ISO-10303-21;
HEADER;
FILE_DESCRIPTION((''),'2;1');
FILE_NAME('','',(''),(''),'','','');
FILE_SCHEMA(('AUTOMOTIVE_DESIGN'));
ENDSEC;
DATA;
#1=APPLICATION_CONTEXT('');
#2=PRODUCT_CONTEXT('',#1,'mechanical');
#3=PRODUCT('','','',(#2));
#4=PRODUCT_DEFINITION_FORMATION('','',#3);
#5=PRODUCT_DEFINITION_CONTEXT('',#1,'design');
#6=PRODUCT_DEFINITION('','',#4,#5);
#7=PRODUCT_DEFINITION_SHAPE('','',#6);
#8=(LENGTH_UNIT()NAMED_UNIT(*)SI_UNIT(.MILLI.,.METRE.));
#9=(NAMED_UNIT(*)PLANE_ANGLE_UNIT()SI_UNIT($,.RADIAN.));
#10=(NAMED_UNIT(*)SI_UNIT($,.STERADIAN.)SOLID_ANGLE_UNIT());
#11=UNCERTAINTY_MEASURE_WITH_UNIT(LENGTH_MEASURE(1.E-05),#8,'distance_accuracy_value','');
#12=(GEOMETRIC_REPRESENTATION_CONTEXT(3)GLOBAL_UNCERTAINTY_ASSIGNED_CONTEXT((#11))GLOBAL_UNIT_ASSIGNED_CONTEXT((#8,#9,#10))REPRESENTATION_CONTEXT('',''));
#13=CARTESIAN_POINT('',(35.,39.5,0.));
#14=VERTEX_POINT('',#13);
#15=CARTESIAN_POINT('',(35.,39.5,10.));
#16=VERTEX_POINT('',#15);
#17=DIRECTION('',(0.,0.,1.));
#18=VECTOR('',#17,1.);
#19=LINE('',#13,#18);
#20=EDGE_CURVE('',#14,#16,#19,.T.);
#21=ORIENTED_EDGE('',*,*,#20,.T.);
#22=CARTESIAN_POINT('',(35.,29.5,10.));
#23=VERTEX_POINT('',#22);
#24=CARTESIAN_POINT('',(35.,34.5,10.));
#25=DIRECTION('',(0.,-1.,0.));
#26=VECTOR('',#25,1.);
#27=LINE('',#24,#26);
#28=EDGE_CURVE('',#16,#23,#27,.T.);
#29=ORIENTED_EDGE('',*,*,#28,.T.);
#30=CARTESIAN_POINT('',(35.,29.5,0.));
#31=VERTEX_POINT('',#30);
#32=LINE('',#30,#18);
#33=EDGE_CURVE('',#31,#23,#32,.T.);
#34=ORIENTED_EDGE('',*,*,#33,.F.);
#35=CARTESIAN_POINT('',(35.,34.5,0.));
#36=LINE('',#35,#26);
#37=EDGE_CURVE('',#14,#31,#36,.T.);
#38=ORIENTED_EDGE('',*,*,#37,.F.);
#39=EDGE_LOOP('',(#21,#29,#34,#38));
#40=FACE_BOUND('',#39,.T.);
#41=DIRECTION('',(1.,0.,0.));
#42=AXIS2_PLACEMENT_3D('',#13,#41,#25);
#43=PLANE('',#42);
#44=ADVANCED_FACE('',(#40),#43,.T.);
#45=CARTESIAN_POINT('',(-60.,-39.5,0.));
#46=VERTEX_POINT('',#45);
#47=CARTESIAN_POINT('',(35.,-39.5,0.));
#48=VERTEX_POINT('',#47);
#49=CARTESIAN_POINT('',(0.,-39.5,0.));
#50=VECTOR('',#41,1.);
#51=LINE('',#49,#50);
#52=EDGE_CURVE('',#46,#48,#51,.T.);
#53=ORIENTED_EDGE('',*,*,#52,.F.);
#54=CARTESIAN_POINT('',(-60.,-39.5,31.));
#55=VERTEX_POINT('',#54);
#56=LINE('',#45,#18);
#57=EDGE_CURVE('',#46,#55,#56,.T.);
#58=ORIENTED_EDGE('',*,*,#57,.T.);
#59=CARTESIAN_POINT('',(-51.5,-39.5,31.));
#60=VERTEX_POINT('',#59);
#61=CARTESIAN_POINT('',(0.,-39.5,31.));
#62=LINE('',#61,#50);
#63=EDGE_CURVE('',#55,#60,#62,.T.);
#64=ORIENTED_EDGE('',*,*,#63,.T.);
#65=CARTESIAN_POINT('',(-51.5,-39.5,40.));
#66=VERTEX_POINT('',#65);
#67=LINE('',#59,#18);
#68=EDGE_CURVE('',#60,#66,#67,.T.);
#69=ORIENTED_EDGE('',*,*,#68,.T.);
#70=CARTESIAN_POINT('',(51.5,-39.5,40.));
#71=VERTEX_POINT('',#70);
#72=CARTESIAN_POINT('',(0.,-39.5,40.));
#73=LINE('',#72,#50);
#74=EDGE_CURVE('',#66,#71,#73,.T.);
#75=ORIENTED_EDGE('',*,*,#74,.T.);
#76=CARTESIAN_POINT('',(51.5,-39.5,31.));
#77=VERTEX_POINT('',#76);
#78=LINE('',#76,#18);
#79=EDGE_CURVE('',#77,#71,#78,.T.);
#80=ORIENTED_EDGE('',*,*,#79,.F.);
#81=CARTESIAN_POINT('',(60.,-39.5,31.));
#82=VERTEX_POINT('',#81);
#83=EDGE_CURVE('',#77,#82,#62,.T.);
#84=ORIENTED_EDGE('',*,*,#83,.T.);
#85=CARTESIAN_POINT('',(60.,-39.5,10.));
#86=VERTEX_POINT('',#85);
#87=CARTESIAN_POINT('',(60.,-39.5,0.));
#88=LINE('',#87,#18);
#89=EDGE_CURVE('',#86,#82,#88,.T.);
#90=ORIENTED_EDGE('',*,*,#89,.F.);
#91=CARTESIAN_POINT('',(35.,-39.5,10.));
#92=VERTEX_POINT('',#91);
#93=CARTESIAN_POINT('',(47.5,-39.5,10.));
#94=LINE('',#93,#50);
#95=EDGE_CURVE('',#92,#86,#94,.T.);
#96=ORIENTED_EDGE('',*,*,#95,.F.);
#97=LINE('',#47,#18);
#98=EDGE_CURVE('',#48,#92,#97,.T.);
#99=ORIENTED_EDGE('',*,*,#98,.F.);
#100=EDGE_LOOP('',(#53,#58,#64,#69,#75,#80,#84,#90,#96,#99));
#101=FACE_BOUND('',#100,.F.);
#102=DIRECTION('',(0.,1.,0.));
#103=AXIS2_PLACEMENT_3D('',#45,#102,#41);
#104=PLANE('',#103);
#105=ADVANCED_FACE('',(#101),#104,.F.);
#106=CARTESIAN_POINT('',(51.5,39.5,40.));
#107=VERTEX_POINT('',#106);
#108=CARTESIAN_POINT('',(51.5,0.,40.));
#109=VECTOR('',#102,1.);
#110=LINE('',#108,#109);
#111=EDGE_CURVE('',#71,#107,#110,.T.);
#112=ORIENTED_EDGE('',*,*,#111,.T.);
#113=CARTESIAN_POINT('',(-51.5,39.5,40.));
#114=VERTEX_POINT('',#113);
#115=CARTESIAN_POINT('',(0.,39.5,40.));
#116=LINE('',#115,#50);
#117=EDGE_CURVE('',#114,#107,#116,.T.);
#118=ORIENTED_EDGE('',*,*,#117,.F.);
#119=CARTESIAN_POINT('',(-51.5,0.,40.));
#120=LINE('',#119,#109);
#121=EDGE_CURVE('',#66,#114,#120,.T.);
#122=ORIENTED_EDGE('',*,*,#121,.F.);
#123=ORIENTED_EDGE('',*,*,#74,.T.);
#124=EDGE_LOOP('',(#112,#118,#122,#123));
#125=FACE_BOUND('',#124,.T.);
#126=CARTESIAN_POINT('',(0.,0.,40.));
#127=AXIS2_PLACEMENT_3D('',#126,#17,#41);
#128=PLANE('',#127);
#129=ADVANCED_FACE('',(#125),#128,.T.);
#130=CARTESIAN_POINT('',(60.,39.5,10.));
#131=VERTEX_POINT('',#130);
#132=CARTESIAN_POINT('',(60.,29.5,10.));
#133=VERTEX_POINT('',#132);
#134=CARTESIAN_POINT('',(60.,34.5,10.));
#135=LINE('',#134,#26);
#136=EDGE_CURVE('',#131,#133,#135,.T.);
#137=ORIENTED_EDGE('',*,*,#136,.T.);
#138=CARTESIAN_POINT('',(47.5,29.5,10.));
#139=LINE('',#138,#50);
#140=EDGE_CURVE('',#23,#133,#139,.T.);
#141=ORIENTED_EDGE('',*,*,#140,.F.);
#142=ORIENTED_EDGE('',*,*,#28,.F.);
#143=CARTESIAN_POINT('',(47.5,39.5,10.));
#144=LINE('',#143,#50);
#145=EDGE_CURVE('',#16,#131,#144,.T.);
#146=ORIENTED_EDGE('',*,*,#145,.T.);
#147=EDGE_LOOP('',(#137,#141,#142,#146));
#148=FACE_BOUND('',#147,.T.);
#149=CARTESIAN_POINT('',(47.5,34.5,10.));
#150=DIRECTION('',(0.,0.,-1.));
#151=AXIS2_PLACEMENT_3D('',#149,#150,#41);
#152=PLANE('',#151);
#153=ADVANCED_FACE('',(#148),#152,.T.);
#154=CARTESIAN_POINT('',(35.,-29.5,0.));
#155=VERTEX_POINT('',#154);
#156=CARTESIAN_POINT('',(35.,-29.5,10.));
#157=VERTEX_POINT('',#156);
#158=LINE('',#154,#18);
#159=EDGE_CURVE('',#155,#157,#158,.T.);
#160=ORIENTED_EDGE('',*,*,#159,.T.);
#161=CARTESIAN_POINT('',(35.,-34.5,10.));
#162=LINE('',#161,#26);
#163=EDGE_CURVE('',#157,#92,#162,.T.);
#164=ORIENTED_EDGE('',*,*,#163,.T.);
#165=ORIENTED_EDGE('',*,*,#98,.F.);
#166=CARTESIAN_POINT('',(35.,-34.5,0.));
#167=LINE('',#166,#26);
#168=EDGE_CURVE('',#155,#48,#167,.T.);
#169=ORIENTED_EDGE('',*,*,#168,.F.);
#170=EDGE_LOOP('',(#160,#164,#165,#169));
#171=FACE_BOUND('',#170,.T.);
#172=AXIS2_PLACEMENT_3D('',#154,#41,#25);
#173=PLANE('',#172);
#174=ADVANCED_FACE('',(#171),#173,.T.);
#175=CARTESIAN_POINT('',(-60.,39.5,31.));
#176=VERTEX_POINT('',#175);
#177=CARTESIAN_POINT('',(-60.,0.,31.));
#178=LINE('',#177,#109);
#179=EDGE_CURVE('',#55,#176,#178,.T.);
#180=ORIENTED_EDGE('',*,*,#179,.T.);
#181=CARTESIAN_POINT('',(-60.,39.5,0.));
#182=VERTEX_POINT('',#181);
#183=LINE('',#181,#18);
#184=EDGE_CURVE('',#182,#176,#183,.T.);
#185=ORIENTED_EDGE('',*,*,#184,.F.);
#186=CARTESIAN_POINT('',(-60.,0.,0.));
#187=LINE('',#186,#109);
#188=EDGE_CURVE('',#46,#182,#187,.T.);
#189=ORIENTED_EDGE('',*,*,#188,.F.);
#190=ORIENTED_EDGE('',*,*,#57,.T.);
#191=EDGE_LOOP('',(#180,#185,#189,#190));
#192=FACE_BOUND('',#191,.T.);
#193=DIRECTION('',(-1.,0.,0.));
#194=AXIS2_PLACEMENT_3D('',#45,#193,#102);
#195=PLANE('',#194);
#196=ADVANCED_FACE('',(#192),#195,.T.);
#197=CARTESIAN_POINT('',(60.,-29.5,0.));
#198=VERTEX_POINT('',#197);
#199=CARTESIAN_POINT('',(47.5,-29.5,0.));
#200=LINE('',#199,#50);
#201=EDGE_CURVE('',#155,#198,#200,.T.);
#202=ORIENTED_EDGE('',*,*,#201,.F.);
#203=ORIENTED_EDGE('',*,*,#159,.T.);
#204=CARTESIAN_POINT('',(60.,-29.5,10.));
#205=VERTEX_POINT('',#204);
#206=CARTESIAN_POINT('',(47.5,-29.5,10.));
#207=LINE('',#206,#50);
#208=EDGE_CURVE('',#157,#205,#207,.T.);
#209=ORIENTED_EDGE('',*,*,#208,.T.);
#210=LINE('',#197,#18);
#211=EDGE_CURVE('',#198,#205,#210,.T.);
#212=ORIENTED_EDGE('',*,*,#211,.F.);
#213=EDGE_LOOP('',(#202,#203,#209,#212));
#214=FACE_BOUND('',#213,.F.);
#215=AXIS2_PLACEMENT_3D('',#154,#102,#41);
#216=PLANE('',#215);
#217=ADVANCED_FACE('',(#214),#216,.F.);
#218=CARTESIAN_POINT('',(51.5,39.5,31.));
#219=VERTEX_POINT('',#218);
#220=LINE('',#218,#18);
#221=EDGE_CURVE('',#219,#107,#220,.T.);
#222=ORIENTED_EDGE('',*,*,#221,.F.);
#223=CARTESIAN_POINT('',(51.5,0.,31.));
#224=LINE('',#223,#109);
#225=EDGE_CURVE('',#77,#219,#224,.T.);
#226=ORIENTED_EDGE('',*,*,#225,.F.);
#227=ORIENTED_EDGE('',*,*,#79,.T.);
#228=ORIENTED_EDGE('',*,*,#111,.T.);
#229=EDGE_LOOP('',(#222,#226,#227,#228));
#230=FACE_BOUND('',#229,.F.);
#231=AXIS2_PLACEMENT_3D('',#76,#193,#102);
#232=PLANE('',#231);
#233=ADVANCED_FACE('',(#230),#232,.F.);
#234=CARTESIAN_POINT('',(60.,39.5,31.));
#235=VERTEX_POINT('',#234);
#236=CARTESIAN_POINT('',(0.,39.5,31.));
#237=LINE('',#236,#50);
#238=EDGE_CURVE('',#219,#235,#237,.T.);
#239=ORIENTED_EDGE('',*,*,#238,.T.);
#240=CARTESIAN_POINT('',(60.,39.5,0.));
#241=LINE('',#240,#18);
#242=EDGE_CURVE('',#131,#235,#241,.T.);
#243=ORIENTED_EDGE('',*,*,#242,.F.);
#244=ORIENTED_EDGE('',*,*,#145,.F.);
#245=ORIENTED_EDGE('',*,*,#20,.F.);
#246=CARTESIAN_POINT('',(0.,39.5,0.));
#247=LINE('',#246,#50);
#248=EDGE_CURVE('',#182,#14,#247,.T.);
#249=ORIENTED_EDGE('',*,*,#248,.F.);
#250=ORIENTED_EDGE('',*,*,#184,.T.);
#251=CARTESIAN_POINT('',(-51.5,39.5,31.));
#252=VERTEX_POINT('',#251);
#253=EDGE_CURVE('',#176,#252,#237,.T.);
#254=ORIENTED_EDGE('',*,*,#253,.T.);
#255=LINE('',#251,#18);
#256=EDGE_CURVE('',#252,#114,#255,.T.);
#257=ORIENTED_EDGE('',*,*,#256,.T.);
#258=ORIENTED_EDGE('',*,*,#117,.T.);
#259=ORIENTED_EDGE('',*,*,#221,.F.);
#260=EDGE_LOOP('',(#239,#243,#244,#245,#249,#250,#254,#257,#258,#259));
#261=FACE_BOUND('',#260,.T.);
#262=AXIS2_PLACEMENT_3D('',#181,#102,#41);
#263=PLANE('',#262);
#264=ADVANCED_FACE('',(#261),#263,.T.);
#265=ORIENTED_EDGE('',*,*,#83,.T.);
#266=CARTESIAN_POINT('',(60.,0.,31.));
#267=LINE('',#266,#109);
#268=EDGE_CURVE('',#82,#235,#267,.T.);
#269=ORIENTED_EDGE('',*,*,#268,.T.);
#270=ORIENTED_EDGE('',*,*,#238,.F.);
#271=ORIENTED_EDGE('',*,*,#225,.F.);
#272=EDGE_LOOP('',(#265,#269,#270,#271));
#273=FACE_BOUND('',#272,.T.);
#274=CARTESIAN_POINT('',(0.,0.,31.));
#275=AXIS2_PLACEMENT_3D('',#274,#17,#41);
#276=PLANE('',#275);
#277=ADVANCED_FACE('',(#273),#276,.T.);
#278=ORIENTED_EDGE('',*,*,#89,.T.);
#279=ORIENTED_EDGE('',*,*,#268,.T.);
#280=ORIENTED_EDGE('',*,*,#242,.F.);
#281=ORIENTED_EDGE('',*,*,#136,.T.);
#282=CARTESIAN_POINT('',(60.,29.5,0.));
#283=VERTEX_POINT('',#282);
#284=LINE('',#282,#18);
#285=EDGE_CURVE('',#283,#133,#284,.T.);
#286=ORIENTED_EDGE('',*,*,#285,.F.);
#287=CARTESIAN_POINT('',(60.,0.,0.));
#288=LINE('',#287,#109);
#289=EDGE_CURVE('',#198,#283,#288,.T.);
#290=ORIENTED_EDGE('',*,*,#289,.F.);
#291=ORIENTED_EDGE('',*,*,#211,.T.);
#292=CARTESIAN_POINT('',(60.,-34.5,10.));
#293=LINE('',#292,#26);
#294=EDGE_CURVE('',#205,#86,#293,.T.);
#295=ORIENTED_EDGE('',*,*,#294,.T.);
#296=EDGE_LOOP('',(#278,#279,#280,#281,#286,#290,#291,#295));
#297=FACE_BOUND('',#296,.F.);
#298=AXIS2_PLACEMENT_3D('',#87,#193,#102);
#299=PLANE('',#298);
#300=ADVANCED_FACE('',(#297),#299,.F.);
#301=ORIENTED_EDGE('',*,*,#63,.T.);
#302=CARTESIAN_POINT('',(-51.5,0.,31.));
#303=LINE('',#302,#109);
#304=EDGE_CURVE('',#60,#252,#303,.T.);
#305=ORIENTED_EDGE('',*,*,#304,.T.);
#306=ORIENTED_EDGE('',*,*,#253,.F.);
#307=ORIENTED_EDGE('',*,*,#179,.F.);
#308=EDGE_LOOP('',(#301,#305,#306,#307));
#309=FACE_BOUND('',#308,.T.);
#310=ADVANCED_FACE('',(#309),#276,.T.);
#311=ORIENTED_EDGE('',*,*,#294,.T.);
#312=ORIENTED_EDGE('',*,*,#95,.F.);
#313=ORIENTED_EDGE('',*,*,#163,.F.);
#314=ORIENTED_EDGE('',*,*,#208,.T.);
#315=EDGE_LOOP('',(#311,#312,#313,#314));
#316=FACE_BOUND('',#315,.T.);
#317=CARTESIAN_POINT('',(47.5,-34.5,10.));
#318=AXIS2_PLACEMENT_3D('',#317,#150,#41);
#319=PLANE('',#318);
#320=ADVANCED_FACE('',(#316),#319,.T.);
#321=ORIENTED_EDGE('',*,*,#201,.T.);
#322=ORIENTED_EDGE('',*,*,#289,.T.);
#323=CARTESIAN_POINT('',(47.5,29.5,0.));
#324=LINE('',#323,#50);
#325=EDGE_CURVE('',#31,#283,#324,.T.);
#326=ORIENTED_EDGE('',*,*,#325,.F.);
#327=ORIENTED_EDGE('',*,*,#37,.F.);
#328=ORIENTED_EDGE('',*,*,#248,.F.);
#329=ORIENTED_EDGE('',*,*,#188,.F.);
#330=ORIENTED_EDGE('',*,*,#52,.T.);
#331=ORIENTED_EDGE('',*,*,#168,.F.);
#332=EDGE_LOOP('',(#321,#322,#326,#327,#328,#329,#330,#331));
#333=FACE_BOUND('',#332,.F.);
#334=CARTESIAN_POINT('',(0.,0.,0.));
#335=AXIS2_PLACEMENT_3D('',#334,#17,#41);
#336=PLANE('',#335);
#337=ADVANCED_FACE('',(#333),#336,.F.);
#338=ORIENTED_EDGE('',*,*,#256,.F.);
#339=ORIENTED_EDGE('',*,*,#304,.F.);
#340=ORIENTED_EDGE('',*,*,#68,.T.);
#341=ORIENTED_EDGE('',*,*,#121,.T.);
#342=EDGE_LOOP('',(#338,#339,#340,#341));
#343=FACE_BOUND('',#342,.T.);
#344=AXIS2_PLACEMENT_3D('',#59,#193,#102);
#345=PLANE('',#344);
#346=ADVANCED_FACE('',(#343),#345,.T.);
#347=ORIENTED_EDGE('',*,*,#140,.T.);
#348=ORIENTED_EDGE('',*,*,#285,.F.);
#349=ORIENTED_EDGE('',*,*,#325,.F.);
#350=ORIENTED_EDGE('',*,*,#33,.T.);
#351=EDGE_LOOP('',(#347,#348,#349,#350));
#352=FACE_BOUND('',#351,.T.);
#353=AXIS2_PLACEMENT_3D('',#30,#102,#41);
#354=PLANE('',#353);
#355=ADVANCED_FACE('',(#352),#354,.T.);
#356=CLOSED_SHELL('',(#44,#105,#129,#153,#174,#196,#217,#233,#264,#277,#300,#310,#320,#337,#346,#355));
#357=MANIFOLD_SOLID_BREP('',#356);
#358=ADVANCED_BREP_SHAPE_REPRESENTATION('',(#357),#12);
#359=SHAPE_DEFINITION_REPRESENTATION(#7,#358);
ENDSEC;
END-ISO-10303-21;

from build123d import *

# Parameters (mm, degrees)
SKETCH_W        = 120
SKETCH_H        = 79
PAD_DEPTH       = 31
SKETCH001_W     = 103
SKETCH001_H     = 79
PAD001_DEPTH    = 9
SKETCH003_W     = 25
SKETCH003_H     = 10
POCKET_DEPTH    = 10
SKETCH004_W     = 25
SKETCH004_H     = 10
POCKET001_DEPTH = 10


with BuildPart() as part:
    # Sketch → Pad (new body)
    with BuildSketch(Plane.XY):
        Rectangle(SKETCH_W, SKETCH_H)
    extrude(amount=PAD_DEPTH)

    # Sketch001 → Pad001 (join)
    with BuildSketch(Plane.XY.offset(31)):
        Rectangle(SKETCH001_W, SKETCH001_H)
    extrude(amount=PAD001_DEPTH)

    # Sketch003 (on Face4 of Pad001) → Pocket (cut)
    with BuildSketch(Plane(origin=(0, 0, 0), x_dir=(1, 0, 0), z_dir=(0, 0, -1))):
        with Locations((47.5, -34.5)):
            Rectangle(SKETCH003_W, SKETCH003_H)
    extrude(amount=-POCKET_DEPTH, mode=Mode.SUBTRACT)

    # Sketch004 (on Face2 of Pocket) → Pocket001 (cut)
    with BuildSketch(Plane(origin=(0, 0, 0), x_dir=(1, 0, 0), z_dir=(0, 0, -1))):
        with Locations((47.5, 34.5)):
            Rectangle(SKETCH004_W, SKETCH004_H)
    extrude(amount=-POCKET001_DEPTH, mode=Mode.SUBTRACT)


solid = part.part
